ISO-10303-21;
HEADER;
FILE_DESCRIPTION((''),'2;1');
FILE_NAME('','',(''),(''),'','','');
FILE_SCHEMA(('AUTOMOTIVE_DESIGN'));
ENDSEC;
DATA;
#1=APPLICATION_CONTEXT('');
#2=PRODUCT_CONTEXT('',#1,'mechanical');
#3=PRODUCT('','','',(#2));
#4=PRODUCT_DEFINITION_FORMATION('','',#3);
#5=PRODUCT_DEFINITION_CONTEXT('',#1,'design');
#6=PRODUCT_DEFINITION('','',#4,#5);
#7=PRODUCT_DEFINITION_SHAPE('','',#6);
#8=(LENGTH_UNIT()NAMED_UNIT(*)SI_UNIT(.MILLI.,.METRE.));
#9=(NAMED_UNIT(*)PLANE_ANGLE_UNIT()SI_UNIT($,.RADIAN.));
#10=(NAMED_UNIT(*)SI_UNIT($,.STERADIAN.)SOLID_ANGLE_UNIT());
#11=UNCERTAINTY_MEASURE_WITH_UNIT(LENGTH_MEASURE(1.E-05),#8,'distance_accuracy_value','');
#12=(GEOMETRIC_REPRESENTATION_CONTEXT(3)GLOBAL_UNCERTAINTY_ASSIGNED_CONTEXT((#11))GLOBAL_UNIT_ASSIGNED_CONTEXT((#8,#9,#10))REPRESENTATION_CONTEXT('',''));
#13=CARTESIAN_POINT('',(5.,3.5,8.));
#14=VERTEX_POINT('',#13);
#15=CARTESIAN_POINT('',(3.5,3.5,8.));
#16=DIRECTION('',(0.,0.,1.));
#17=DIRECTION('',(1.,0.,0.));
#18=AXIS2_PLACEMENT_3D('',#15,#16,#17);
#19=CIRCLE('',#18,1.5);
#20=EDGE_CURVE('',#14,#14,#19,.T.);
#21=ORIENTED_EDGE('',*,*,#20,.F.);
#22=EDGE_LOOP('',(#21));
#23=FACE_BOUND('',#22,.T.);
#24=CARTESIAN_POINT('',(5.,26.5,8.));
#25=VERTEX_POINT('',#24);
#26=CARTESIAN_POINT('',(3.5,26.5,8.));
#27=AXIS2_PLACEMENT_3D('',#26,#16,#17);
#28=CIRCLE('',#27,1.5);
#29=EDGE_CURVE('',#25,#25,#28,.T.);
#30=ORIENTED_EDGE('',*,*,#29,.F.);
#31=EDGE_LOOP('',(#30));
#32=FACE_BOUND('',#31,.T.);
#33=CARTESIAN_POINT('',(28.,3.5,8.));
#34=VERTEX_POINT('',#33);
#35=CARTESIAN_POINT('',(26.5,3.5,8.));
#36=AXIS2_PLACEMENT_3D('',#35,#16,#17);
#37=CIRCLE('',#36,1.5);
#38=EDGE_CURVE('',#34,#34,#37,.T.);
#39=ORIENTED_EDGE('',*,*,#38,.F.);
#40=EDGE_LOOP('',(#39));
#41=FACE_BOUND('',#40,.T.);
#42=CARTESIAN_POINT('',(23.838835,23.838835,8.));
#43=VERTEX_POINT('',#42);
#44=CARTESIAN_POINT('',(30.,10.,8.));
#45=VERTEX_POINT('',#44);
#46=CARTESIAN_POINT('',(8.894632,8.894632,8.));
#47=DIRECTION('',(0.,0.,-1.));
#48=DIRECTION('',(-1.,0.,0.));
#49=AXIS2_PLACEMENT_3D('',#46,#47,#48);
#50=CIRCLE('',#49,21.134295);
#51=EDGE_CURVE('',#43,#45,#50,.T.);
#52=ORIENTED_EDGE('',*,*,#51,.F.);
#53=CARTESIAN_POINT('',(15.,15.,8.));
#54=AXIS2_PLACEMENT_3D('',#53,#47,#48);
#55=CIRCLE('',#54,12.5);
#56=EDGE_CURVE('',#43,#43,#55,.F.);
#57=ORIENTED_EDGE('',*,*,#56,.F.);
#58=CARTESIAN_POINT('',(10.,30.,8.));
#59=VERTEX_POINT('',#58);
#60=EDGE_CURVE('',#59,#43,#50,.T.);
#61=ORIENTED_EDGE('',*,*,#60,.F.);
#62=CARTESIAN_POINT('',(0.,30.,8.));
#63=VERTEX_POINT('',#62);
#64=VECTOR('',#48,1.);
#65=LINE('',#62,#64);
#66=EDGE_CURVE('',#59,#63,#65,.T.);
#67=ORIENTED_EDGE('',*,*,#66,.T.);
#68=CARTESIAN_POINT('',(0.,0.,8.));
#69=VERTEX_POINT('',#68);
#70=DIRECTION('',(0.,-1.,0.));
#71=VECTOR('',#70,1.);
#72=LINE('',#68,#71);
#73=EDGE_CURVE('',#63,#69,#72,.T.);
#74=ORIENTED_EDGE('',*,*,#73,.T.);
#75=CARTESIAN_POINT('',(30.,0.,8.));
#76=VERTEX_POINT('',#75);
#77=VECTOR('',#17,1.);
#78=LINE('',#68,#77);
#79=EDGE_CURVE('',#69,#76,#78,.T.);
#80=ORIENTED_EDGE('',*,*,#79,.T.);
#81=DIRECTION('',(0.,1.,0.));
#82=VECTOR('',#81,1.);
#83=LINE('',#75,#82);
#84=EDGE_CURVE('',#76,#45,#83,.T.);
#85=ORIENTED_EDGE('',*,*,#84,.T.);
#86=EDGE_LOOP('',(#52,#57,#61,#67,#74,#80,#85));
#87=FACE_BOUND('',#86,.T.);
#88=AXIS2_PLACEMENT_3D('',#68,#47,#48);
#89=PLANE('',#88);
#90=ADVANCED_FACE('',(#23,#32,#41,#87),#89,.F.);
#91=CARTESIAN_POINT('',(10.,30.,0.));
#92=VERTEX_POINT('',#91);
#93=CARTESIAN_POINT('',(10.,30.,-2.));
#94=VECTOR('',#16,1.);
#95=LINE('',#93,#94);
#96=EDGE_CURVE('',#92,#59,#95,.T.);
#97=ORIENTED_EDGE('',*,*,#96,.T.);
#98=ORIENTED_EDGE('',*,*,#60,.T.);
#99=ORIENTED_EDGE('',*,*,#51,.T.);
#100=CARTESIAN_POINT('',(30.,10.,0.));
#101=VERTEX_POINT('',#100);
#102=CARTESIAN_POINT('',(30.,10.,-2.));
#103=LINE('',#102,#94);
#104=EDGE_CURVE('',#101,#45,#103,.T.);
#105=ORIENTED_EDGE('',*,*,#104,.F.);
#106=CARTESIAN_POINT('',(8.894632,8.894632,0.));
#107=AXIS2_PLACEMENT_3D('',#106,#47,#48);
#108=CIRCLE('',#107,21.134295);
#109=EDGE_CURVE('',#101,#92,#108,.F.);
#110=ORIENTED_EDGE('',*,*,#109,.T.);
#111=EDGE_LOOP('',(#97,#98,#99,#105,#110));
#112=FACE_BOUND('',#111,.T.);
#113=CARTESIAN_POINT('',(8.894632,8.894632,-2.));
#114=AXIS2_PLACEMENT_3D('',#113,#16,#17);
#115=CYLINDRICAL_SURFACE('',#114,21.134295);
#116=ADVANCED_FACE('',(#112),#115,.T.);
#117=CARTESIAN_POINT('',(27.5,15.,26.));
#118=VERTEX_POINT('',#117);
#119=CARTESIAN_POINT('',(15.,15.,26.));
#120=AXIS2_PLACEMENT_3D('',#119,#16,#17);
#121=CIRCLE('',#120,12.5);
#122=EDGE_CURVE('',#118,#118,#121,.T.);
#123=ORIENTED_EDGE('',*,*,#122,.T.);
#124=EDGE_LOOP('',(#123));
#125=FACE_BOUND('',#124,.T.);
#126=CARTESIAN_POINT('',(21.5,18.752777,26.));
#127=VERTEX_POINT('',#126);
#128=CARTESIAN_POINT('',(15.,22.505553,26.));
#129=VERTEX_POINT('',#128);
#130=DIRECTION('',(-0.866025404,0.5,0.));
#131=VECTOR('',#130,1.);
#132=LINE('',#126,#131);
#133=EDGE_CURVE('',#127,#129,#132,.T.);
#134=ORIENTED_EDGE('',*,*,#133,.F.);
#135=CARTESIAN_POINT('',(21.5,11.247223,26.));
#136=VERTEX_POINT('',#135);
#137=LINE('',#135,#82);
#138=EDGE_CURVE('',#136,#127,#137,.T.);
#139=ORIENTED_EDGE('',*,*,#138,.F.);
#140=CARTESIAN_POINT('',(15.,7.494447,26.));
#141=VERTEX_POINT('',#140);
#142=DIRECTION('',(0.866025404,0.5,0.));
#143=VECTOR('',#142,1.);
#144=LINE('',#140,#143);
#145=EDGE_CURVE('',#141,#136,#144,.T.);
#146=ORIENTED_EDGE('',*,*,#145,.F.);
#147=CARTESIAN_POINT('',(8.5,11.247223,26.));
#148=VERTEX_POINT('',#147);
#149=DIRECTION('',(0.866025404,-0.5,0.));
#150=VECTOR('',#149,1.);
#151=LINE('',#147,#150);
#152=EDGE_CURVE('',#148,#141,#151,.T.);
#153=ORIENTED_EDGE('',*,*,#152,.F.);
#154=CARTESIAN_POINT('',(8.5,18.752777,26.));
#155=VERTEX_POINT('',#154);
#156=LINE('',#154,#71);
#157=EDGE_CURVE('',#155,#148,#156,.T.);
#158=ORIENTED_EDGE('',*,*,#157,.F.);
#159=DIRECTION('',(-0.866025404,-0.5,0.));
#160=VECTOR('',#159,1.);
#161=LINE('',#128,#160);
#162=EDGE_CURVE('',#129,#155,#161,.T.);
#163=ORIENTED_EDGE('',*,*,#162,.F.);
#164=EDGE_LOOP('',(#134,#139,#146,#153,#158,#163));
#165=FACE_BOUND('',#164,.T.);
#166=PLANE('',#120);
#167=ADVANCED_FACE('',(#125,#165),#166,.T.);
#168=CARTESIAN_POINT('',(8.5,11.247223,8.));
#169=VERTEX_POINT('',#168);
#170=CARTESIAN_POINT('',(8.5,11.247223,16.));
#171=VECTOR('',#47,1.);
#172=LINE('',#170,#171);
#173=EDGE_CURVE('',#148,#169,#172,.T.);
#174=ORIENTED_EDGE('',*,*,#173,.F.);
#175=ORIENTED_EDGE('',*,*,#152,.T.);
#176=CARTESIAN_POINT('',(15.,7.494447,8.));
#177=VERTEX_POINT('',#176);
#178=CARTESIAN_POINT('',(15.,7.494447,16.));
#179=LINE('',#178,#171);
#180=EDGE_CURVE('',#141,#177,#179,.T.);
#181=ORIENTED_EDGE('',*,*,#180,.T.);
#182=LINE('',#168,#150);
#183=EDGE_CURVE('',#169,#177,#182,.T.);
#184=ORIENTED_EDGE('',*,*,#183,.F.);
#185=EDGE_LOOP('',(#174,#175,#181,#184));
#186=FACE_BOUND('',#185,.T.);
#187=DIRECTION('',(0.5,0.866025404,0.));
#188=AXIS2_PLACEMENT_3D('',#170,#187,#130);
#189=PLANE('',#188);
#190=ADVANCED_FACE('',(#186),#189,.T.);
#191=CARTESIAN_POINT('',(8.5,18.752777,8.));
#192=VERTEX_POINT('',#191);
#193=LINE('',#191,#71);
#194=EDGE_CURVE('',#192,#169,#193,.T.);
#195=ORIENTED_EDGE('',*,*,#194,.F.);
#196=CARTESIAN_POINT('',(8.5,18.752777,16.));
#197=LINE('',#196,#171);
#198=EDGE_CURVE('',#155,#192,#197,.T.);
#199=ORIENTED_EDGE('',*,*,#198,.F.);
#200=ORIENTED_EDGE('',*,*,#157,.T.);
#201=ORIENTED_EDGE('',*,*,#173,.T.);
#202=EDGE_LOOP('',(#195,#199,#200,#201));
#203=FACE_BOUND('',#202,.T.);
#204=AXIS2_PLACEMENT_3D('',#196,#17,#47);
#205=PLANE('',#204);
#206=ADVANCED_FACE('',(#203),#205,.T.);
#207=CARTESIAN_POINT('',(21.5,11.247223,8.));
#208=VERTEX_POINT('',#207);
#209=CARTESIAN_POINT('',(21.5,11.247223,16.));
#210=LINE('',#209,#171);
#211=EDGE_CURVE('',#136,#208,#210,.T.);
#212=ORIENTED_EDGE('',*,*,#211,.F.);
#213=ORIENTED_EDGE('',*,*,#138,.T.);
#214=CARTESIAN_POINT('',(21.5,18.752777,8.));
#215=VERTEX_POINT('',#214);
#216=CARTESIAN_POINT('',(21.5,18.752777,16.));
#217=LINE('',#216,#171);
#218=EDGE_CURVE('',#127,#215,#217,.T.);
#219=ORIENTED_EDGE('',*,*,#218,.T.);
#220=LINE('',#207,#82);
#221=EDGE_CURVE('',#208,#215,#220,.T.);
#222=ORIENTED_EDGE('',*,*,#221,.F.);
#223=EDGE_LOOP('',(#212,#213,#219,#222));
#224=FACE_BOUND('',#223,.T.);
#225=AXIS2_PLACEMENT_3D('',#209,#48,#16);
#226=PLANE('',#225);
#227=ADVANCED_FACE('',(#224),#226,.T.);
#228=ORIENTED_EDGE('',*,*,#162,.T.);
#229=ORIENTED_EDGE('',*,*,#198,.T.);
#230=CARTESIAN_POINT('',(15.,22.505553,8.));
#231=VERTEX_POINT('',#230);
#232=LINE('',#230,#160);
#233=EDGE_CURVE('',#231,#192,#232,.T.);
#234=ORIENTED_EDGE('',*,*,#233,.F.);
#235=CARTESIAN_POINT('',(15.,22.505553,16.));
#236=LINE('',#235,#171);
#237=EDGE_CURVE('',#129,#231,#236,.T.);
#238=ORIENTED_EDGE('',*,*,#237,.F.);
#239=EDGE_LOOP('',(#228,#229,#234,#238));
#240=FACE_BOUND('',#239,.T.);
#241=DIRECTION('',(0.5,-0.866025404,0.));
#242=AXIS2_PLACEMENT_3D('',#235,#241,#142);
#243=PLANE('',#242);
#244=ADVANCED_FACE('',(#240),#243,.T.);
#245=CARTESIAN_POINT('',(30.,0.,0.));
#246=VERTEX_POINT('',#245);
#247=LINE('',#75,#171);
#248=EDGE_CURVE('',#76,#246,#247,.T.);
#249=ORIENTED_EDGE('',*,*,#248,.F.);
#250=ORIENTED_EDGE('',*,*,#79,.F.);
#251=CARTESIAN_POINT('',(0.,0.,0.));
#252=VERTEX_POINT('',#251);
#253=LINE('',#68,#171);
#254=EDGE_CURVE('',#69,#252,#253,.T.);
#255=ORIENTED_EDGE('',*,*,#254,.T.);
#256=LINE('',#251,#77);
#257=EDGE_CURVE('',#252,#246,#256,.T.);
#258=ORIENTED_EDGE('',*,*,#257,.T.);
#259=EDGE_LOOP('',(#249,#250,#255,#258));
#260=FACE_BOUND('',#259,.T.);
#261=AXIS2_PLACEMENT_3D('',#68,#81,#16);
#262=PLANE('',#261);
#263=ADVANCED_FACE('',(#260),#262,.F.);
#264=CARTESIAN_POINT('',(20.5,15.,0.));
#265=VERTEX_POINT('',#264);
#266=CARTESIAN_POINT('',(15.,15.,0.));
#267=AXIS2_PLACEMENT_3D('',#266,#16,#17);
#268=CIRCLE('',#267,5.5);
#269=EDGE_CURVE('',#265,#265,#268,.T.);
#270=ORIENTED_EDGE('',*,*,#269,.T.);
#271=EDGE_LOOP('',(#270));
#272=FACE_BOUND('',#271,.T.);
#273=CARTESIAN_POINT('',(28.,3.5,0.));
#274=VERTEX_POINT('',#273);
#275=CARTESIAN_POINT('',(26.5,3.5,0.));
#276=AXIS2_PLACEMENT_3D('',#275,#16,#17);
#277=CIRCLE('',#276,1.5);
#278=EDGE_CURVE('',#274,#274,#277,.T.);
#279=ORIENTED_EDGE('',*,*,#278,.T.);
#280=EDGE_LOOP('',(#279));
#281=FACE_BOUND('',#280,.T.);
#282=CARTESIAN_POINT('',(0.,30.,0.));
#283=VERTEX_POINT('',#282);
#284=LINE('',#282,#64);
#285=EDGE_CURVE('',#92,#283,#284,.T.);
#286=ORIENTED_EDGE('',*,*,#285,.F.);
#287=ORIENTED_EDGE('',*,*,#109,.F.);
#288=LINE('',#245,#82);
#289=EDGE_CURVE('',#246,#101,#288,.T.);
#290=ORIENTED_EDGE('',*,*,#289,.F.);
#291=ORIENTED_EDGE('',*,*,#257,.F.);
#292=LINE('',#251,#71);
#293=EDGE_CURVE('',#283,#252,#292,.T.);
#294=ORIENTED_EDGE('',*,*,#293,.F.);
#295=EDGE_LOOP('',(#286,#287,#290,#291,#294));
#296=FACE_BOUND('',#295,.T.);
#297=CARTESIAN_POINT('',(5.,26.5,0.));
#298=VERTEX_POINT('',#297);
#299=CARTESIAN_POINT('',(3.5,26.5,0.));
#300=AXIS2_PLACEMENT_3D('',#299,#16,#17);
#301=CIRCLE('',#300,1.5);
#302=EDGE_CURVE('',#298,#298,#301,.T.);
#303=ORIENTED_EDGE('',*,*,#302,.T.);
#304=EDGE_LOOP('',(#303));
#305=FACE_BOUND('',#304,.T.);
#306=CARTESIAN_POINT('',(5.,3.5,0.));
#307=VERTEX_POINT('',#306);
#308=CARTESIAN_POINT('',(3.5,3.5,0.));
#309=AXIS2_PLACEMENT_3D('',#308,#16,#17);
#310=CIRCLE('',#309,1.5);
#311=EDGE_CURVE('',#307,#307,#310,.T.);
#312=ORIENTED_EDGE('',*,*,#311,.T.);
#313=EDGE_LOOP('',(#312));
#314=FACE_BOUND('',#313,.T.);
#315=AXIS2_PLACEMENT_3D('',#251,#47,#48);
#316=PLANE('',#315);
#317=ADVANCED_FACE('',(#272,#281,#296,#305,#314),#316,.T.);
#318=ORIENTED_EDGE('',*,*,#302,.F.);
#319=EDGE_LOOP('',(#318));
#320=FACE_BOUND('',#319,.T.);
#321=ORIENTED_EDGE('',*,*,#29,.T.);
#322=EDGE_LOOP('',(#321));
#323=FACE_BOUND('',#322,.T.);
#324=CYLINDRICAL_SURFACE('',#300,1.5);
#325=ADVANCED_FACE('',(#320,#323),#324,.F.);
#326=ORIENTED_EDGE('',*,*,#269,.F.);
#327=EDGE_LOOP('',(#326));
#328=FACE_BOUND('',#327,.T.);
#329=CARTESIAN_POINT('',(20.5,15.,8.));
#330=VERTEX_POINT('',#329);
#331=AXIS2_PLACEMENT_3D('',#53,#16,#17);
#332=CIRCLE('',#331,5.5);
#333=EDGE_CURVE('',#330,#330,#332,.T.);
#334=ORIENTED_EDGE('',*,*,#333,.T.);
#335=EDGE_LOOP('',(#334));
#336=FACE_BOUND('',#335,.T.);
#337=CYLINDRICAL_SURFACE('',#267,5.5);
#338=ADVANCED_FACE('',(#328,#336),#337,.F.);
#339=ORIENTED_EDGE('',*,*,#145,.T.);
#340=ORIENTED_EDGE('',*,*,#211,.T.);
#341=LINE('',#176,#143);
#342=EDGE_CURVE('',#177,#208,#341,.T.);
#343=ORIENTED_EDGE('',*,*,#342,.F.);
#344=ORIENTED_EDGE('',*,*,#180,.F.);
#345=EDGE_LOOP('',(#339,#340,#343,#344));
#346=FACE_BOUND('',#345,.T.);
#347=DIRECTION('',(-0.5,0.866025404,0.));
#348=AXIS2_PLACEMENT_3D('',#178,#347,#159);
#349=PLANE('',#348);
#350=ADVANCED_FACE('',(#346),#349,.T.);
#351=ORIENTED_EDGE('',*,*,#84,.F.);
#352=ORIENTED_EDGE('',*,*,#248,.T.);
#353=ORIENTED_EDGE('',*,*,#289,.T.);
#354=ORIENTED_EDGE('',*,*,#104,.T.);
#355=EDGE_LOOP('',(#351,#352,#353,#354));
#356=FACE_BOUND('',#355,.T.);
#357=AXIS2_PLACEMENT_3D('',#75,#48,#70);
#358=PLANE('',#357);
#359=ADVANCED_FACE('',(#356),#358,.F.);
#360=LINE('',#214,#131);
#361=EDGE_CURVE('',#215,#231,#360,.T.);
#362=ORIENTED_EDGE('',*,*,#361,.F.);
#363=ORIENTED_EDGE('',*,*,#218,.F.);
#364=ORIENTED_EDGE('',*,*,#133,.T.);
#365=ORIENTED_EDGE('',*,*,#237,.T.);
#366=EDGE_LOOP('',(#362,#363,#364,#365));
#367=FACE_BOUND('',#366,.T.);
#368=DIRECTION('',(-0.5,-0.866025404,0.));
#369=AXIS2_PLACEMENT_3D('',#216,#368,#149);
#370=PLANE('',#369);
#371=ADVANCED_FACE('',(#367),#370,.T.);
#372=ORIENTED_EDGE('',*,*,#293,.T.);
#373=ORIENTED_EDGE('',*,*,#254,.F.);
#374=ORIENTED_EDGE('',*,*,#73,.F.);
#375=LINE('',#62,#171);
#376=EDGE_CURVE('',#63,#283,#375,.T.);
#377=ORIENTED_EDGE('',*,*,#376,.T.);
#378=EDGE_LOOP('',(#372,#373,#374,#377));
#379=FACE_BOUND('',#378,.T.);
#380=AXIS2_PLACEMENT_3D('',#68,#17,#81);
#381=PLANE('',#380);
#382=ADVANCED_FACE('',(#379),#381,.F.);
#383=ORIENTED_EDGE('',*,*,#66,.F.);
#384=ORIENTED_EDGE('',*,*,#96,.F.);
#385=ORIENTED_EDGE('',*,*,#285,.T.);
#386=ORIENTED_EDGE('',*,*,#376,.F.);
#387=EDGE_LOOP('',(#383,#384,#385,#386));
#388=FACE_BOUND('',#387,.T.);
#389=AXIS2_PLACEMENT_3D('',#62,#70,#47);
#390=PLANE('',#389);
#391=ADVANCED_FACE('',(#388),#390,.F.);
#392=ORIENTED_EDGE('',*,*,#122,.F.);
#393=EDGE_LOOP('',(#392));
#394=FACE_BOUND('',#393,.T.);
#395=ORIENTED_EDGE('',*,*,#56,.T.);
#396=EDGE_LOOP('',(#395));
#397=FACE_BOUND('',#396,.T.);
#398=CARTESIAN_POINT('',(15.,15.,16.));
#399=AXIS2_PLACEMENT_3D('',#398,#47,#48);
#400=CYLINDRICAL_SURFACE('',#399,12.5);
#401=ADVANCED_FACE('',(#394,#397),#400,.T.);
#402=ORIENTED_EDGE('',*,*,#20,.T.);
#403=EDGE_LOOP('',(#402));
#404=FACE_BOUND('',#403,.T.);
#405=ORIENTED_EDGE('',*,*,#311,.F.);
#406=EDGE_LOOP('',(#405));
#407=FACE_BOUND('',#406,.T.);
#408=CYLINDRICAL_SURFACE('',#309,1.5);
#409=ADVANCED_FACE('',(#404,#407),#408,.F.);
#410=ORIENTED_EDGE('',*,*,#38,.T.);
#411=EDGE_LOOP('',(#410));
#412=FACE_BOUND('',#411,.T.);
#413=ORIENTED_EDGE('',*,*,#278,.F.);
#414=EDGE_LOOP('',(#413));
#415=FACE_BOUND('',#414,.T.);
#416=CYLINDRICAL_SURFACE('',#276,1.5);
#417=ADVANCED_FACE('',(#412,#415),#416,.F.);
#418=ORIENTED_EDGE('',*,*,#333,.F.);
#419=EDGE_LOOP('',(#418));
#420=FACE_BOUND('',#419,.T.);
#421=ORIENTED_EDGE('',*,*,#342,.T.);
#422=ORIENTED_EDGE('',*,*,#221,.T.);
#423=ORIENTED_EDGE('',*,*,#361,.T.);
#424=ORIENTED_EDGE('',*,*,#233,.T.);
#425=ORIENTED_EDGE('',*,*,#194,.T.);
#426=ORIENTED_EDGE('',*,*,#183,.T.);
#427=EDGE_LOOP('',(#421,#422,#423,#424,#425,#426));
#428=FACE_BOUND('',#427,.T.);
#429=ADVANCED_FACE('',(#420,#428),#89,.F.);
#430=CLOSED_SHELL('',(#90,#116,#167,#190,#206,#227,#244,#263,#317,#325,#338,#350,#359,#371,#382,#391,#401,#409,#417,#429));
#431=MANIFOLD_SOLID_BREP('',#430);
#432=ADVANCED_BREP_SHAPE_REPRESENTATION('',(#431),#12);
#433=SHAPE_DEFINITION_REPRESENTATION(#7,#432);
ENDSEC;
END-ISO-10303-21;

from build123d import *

# Parameters (mm, degrees)
IZIM1_W                     = 30
IZIM1_H                     = 30
Y_KSEKLIK_EKSTR_ZYON1_DEPTH = 8
IZIM2_R                     = 12.5
Y_KSEKLIK_EKSTR_ZYON2_DEPTH = 8
IZIM3_R                     = 5.5
KES_EKSTR_ZYON1_DEPTH       = 8
IZIM4_R                     = 1.5
KES_EKSTR_ZYON2_DEPTH       = 8
IZIM5_R                     = 12.5
Y_KSEKLIK_EKSTR_ZYON3_DEPTH = 10
KES_EKSTR_ZYON3_DEPTH       = 10


with BuildPart() as part:
    # Çizim1 → Yükseklik-Ekstrüzyon1 (new body)
    with BuildSketch(Plane.XY):
        with Locations((15, 15)):
            Rectangle(IZIM1_W, IZIM1_H)
    extrude(amount=Y_KSEKLIK_EKSTR_ZYON1_DEPTH)

    # Çizim2 → Yükseklik-Ekstrüzyon2 (add)
    with BuildSketch(Plane.XY.offset(8)):
        with Locations(Location((15, 15, 0), (0, 0, 180))):
            Circle(IZIM2_R)
        Polygon((15, 22.505553499), (8.5, 18.75277675), (8.5, 11.24722325), (15, 7.494446501), (21.5, 11.24722325), (21.5, 18.75277675), align=None, mode=Mode.SUBTRACT)
    extrude(amount=Y_KSEKLIK_EKSTR_ZYON2_DEPTH)

    # Çizim3 → Kes-Ekstrüzyon1 (cut)
    with BuildSketch(Plane.XY.offset(8)):
        with Locations((15, 15)):
            Circle(IZIM3_R)
    extrude(amount=-KES_EKSTR_ZYON1_DEPTH, mode=Mode.SUBTRACT)

    # Çizim4 → Kes-Ekstrüzyon2 (cut)
    with BuildSketch(Plane.XY.offset(8)):
        with Locations((3.5, 26.5)):
            Circle(IZIM4_R)
        with Locations((26.5, 26.5)):
            Circle(IZIM4_R)
        with Locations((26.5, 3.5)):
            Circle(IZIM4_R)
        with Locations((3.5, 3.5)):
            Circle(IZIM4_R)
    extrude(amount=-KES_EKSTR_ZYON2_DEPTH, mode=Mode.SUBTRACT)

    # Çizim5 → Yükseklik-Ekstrüzyon3 (add)
    with BuildSketch(Plane.XY.offset(16)):
        with Locations(Location((15, 15, 0), (0, 0, 180))):
            Circle(IZIM5_R)
        Polygon((15, 22.505553499), (8.5, 18.75277675), (8.5, 11.24722325), (15, 7.494446501), (21.5, 11.24722325), (21.5, 18.75277675), align=None, mode=Mode.SUBTRACT)
    extrude(amount=Y_KSEKLIK_EKSTR_ZYON3_DEPTH)

    # Çizim6 → Kes-Ekstrüzyon3 (cut)
    with BuildSketch(Plane.XY.offset(8)):
        with BuildLine():
            Line((10, 30), (30, 30))
            Line((30, 30), (30, 10))
            ThreePointArc((30, 10), (23.838834765, 23.838834765), (10, 30))
        make_face()
    extrude(amount=-KES_EKSTR_ZYON3_DEPTH, mode=Mode.SUBTRACT)


solid = part.part
